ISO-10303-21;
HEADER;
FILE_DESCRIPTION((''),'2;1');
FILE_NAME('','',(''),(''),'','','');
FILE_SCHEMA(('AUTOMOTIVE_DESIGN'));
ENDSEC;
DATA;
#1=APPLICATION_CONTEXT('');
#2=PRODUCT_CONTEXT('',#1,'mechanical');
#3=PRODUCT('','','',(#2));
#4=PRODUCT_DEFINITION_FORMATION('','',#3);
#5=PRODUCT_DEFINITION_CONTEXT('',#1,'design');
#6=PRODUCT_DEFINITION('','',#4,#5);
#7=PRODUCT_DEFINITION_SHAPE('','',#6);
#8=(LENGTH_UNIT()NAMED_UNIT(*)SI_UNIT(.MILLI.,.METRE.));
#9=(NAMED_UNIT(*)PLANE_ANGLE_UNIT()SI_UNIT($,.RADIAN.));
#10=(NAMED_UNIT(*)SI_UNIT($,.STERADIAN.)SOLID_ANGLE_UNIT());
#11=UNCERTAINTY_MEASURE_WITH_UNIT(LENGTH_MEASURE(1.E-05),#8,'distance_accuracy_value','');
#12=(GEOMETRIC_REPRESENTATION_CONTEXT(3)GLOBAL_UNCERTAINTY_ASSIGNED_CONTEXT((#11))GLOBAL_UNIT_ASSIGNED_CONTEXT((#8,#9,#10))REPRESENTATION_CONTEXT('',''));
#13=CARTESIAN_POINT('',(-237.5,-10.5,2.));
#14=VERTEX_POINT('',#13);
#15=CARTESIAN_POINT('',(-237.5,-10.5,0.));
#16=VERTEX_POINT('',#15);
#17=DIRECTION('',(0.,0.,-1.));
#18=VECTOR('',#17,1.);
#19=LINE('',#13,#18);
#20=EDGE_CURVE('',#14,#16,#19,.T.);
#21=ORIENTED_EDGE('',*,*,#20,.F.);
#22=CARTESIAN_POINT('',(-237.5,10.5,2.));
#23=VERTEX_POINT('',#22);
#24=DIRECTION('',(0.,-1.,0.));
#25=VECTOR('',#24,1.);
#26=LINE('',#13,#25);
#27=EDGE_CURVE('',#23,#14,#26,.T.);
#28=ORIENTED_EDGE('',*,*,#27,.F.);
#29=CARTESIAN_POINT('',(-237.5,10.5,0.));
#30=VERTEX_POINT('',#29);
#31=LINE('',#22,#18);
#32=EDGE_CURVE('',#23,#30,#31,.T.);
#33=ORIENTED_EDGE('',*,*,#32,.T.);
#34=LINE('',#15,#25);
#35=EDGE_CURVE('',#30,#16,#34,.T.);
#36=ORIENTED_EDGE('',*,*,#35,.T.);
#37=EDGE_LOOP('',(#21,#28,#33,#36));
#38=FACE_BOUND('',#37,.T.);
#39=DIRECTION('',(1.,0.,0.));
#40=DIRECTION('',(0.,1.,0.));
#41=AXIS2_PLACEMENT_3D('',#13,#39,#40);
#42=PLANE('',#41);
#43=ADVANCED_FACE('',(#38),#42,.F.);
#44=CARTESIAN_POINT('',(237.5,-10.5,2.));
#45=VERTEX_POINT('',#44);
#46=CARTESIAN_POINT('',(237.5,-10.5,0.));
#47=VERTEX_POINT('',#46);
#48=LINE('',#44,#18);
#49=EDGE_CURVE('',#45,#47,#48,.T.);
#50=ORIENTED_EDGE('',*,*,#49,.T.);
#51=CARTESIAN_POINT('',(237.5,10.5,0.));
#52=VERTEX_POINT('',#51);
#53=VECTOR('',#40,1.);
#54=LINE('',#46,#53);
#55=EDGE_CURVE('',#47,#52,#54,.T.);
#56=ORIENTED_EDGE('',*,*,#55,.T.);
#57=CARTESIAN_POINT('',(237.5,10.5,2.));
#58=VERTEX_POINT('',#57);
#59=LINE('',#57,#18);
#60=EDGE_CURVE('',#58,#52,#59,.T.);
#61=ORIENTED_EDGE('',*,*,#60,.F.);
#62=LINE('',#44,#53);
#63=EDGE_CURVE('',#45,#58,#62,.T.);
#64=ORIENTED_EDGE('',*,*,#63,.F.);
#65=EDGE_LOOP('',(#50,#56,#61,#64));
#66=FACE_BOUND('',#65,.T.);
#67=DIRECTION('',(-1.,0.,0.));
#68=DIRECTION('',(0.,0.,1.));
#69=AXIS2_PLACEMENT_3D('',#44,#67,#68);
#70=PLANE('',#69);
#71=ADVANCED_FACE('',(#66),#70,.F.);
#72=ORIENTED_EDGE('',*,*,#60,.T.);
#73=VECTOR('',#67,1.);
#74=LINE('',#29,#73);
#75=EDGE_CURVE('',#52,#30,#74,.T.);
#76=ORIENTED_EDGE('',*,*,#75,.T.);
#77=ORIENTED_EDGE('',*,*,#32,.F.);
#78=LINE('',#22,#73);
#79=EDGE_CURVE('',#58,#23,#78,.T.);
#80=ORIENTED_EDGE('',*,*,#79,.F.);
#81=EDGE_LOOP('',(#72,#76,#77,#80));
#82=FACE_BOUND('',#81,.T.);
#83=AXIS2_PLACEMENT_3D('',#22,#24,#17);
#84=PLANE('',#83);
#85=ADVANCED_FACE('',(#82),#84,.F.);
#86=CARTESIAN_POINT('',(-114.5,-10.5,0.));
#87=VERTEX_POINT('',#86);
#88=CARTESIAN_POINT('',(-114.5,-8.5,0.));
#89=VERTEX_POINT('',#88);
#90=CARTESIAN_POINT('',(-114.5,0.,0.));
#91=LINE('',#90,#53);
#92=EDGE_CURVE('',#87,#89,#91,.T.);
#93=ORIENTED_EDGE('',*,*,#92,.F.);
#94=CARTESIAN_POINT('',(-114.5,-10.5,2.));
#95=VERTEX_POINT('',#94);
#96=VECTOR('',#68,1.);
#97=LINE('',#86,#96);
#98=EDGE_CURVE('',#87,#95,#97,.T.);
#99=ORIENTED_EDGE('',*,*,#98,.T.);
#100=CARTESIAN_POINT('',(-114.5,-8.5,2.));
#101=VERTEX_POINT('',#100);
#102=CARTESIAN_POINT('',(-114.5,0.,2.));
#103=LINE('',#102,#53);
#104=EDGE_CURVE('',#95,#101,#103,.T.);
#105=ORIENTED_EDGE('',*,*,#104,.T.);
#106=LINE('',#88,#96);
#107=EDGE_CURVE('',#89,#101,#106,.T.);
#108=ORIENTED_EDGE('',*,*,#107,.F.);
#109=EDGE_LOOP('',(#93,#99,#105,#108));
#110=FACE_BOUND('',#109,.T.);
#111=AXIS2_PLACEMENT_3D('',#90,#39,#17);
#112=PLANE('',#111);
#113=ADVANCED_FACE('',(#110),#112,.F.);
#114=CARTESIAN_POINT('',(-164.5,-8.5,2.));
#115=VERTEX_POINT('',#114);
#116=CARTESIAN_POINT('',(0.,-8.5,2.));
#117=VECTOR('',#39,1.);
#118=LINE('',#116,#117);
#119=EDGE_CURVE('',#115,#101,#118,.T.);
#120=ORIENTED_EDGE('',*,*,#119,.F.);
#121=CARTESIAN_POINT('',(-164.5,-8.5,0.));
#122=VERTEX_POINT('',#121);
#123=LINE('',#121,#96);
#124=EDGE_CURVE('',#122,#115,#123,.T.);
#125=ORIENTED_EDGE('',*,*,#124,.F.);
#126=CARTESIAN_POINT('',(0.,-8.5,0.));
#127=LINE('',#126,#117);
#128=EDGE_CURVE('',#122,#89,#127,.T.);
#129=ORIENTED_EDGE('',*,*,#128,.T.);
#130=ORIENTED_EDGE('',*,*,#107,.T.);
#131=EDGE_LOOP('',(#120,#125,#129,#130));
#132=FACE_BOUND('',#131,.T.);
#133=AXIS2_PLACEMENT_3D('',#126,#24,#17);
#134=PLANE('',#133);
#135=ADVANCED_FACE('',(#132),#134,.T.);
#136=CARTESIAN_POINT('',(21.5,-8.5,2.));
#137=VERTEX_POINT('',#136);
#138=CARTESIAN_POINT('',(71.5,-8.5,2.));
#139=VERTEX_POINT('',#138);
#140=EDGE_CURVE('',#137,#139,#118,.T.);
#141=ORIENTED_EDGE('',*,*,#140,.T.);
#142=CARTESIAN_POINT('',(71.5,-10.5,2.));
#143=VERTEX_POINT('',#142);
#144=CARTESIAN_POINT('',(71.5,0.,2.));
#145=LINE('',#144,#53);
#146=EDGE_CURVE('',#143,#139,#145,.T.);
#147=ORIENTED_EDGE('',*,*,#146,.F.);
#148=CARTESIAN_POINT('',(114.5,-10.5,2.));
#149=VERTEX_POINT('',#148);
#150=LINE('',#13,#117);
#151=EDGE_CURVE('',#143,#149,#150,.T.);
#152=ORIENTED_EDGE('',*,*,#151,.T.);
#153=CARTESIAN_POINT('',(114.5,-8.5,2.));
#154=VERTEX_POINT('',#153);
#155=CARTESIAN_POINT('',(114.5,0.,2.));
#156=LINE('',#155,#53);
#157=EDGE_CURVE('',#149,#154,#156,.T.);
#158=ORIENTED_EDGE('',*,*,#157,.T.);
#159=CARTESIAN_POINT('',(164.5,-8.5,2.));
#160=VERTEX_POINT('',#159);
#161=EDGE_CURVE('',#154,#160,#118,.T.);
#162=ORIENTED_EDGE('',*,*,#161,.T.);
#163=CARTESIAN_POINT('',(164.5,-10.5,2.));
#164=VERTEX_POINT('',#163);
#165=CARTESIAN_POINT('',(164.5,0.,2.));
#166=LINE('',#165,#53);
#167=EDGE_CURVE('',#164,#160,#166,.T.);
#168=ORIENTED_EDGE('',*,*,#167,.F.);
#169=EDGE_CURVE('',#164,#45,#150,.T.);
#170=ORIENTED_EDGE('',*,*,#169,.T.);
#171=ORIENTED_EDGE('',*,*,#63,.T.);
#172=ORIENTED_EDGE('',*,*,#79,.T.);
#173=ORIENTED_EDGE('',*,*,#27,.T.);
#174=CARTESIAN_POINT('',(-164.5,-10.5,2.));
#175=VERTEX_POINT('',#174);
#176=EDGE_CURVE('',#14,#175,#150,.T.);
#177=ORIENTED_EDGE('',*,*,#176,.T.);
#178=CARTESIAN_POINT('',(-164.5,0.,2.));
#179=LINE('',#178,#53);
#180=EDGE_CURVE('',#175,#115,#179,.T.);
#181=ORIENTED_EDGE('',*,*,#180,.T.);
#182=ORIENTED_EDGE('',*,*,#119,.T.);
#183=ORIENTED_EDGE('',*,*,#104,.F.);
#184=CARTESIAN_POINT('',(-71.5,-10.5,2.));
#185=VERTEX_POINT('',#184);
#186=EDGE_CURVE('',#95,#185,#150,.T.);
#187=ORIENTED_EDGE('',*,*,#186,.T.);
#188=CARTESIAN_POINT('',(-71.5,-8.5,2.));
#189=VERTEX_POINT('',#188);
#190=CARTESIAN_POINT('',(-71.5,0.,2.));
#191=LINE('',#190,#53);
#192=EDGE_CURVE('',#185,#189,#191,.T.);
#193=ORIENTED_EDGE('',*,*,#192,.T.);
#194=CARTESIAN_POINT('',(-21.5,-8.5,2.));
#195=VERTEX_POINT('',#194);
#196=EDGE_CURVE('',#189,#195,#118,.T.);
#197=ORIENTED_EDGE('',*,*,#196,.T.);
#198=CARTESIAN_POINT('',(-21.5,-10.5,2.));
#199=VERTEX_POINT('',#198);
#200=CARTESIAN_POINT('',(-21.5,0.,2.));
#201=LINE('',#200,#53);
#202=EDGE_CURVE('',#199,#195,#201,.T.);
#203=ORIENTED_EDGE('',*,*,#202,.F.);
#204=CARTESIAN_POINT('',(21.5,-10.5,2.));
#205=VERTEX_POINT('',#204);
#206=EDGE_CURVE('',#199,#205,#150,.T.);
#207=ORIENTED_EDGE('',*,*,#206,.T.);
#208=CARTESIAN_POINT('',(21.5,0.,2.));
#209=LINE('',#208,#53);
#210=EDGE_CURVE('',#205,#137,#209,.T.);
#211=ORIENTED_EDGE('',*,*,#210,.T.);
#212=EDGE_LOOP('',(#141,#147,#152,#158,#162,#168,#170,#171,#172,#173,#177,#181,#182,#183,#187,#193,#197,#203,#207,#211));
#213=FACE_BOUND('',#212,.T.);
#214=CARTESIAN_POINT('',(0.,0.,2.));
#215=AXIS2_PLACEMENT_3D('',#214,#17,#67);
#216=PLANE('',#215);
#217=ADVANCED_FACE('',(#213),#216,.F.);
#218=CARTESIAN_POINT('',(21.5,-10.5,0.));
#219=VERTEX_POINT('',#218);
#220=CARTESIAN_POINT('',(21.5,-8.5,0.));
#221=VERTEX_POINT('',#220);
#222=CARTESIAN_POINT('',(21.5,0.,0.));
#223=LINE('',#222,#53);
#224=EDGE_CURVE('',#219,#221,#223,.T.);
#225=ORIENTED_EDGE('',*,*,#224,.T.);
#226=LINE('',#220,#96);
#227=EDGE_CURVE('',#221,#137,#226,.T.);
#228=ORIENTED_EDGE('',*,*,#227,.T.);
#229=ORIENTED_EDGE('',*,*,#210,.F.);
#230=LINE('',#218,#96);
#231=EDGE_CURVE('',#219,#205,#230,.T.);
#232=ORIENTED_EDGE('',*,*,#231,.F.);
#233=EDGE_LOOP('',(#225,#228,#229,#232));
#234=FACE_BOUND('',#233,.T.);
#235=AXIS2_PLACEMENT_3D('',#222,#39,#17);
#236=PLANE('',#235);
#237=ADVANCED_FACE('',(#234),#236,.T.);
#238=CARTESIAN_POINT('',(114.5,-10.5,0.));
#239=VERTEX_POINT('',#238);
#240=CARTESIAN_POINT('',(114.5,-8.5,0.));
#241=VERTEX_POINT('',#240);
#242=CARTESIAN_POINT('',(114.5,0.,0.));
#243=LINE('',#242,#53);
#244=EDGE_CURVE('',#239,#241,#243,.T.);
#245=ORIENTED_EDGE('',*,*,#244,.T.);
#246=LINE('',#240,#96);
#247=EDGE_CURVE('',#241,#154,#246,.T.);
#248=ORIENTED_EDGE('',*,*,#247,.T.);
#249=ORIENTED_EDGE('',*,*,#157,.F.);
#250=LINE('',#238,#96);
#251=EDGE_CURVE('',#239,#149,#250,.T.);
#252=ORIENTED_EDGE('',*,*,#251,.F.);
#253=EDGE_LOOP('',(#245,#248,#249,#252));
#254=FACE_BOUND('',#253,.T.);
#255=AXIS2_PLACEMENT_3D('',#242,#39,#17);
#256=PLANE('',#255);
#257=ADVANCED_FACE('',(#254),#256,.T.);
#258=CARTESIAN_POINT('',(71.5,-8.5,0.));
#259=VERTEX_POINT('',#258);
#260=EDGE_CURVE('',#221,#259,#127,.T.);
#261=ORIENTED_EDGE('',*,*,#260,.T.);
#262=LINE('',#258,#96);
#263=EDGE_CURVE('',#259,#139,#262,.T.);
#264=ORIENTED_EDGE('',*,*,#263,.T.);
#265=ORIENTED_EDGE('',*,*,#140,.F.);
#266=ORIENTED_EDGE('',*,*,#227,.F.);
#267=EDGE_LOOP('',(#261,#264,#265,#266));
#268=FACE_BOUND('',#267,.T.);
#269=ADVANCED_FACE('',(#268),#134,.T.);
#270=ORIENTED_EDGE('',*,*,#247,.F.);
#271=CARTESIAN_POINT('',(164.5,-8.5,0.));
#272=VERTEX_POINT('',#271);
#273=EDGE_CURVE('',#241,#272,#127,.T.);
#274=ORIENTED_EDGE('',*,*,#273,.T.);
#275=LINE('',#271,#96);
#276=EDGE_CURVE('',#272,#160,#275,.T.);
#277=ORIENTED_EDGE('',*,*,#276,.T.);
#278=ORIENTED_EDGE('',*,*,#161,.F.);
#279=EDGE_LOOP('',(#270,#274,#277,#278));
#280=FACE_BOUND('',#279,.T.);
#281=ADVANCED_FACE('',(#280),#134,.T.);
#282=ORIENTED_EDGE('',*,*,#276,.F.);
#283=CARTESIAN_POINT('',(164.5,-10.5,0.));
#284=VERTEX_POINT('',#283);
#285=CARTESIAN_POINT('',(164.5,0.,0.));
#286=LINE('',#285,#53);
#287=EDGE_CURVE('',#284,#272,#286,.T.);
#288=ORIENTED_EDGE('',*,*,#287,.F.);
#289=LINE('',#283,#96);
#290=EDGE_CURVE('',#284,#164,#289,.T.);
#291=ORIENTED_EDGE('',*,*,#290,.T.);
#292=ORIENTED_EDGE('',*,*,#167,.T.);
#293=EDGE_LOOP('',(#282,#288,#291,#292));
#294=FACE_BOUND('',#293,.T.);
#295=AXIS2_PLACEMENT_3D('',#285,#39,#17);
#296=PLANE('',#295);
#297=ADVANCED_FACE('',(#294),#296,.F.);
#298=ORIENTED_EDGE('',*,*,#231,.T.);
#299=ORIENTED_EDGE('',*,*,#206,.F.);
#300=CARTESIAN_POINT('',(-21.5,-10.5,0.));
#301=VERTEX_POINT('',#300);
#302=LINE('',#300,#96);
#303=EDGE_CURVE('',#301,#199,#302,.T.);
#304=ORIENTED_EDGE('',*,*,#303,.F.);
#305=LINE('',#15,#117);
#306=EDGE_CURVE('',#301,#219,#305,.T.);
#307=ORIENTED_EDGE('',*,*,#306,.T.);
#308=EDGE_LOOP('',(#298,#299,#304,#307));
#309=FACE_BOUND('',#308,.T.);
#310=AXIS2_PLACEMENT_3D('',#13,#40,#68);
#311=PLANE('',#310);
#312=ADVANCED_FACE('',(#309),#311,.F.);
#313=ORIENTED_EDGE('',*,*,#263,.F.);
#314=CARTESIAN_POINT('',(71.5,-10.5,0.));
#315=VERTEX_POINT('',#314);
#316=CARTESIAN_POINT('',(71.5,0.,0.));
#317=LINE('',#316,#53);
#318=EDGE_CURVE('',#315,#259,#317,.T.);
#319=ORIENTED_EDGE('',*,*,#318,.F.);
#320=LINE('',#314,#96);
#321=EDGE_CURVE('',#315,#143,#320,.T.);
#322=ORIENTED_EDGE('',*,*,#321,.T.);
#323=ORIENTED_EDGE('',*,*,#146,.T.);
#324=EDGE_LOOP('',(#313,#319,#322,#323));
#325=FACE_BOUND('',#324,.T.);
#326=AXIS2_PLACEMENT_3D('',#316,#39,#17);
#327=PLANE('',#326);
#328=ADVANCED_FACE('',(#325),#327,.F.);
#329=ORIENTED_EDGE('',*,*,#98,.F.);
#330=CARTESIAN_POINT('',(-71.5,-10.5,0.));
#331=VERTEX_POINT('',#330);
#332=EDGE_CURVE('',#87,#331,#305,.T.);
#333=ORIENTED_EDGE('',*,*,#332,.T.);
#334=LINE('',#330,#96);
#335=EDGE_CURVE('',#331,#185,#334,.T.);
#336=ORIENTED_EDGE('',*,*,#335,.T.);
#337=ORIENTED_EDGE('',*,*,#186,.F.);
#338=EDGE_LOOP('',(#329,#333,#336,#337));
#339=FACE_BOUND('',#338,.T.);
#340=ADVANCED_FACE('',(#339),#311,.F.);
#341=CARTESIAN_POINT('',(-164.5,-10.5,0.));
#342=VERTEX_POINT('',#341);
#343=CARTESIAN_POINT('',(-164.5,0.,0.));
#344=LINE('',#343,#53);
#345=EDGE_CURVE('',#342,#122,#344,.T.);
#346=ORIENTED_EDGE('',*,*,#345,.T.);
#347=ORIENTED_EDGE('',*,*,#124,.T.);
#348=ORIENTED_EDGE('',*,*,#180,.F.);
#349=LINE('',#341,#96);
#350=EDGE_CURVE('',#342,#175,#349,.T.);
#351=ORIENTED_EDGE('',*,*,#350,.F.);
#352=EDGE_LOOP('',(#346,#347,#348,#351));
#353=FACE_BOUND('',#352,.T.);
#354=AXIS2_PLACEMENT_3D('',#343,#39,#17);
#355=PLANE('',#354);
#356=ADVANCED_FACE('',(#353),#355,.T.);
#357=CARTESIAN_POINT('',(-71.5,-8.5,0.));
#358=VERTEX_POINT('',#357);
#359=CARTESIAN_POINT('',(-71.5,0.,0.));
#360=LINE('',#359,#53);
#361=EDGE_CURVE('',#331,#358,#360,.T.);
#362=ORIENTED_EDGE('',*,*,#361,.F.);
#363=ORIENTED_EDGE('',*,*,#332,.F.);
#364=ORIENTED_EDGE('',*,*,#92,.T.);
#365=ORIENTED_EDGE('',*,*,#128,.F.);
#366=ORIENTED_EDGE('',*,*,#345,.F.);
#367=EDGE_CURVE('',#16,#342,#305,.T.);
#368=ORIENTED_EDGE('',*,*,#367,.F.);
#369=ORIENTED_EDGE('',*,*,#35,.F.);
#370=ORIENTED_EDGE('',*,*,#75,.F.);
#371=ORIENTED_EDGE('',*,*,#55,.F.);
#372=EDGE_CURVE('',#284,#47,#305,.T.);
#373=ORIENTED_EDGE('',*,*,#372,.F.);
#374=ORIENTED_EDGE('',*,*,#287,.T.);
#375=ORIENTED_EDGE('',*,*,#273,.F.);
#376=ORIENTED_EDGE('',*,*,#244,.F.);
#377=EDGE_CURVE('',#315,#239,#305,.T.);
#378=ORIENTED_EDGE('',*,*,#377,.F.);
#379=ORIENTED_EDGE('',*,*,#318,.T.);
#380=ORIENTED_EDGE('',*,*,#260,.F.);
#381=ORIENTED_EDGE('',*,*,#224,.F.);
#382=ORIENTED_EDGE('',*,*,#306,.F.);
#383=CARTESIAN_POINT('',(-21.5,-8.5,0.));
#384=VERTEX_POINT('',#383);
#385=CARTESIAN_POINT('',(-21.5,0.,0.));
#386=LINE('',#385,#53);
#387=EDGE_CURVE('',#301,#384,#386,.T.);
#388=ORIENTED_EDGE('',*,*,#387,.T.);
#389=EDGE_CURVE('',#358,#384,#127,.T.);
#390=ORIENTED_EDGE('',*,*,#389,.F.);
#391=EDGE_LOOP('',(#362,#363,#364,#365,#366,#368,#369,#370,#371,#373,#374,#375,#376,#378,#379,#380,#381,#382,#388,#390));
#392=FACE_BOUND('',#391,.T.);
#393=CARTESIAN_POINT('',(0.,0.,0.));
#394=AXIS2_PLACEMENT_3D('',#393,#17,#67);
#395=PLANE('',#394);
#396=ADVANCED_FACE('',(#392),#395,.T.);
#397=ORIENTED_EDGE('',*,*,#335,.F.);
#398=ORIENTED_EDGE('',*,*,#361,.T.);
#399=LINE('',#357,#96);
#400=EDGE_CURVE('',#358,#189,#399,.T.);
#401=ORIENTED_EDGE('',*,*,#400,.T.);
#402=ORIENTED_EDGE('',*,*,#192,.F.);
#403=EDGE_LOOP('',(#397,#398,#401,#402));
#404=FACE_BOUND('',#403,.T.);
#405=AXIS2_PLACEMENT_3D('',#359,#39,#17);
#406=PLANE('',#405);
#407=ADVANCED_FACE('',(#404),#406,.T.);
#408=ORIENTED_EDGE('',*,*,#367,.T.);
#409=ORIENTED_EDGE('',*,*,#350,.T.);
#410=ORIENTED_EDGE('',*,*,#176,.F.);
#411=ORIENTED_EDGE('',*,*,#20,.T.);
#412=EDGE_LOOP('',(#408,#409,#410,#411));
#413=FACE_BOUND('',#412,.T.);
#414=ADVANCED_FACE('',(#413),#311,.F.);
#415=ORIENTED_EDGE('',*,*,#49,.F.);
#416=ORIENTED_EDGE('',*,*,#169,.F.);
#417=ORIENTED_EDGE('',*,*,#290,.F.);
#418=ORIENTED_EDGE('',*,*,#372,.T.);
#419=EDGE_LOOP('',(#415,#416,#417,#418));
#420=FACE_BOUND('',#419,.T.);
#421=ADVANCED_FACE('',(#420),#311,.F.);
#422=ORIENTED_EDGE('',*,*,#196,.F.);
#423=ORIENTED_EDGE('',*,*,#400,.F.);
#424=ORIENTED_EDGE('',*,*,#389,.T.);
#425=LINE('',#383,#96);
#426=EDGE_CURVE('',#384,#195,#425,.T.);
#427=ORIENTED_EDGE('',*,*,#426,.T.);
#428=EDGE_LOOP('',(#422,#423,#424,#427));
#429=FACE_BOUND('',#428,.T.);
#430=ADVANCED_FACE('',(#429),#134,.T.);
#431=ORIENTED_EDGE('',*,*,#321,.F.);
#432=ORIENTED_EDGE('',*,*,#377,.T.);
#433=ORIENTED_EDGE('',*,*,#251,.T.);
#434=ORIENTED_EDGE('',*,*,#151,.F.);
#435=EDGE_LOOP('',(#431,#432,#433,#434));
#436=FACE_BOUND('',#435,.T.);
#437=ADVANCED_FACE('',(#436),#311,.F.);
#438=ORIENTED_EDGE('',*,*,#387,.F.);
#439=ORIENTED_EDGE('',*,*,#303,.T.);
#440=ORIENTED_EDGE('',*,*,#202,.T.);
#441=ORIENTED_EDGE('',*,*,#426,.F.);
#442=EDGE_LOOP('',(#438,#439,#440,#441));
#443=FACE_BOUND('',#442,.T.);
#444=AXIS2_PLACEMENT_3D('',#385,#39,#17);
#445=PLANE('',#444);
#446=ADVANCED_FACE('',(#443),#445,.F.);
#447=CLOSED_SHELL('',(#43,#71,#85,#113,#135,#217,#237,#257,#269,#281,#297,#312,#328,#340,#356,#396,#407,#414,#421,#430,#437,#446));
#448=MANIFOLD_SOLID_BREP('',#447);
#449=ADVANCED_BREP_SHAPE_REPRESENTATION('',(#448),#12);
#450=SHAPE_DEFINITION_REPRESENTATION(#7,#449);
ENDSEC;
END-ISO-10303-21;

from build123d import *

# Parameters (mm, degrees)
SKETCH1_W           = 475
SKETCH1_H           = 21
BOSS_EXTRUDE1_DEPTH = 2
SKETCH2_W           = 50
SKETCH2_H           = 2
CUT_EXTRUDE1_DEPTH  = 2


with BuildPart() as part:
    # Sketch1 → Boss-Extrude1 (new body)
    with BuildSketch(Plane.XY):
        Rectangle(SKETCH1_W, SKETCH1_H)
    extrude(amount=BOSS_EXTRUDE1_DEPTH)

    # Sketch2 → Cut-Extrude1 (cut)
    with BuildSketch(Plane.XY.offset(2)):
        with Locations((-46.5, -9.5)):
            Rectangle(SKETCH2_W, SKETCH2_H)
        with Locations((-139.5, -9.5)):
            Rectangle(SKETCH2_W, SKETCH2_H)
        with Locations((46.5, -9.5)):
            Rectangle(SKETCH2_W, SKETCH2_H)
        with Locations((139.5, -9.5)):
            Rectangle(SKETCH2_W, SKETCH2_H)
    extrude(amount=-CUT_EXTRUDE1_DEPTH, mode=Mode.SUBTRACT)


solid = part.part
